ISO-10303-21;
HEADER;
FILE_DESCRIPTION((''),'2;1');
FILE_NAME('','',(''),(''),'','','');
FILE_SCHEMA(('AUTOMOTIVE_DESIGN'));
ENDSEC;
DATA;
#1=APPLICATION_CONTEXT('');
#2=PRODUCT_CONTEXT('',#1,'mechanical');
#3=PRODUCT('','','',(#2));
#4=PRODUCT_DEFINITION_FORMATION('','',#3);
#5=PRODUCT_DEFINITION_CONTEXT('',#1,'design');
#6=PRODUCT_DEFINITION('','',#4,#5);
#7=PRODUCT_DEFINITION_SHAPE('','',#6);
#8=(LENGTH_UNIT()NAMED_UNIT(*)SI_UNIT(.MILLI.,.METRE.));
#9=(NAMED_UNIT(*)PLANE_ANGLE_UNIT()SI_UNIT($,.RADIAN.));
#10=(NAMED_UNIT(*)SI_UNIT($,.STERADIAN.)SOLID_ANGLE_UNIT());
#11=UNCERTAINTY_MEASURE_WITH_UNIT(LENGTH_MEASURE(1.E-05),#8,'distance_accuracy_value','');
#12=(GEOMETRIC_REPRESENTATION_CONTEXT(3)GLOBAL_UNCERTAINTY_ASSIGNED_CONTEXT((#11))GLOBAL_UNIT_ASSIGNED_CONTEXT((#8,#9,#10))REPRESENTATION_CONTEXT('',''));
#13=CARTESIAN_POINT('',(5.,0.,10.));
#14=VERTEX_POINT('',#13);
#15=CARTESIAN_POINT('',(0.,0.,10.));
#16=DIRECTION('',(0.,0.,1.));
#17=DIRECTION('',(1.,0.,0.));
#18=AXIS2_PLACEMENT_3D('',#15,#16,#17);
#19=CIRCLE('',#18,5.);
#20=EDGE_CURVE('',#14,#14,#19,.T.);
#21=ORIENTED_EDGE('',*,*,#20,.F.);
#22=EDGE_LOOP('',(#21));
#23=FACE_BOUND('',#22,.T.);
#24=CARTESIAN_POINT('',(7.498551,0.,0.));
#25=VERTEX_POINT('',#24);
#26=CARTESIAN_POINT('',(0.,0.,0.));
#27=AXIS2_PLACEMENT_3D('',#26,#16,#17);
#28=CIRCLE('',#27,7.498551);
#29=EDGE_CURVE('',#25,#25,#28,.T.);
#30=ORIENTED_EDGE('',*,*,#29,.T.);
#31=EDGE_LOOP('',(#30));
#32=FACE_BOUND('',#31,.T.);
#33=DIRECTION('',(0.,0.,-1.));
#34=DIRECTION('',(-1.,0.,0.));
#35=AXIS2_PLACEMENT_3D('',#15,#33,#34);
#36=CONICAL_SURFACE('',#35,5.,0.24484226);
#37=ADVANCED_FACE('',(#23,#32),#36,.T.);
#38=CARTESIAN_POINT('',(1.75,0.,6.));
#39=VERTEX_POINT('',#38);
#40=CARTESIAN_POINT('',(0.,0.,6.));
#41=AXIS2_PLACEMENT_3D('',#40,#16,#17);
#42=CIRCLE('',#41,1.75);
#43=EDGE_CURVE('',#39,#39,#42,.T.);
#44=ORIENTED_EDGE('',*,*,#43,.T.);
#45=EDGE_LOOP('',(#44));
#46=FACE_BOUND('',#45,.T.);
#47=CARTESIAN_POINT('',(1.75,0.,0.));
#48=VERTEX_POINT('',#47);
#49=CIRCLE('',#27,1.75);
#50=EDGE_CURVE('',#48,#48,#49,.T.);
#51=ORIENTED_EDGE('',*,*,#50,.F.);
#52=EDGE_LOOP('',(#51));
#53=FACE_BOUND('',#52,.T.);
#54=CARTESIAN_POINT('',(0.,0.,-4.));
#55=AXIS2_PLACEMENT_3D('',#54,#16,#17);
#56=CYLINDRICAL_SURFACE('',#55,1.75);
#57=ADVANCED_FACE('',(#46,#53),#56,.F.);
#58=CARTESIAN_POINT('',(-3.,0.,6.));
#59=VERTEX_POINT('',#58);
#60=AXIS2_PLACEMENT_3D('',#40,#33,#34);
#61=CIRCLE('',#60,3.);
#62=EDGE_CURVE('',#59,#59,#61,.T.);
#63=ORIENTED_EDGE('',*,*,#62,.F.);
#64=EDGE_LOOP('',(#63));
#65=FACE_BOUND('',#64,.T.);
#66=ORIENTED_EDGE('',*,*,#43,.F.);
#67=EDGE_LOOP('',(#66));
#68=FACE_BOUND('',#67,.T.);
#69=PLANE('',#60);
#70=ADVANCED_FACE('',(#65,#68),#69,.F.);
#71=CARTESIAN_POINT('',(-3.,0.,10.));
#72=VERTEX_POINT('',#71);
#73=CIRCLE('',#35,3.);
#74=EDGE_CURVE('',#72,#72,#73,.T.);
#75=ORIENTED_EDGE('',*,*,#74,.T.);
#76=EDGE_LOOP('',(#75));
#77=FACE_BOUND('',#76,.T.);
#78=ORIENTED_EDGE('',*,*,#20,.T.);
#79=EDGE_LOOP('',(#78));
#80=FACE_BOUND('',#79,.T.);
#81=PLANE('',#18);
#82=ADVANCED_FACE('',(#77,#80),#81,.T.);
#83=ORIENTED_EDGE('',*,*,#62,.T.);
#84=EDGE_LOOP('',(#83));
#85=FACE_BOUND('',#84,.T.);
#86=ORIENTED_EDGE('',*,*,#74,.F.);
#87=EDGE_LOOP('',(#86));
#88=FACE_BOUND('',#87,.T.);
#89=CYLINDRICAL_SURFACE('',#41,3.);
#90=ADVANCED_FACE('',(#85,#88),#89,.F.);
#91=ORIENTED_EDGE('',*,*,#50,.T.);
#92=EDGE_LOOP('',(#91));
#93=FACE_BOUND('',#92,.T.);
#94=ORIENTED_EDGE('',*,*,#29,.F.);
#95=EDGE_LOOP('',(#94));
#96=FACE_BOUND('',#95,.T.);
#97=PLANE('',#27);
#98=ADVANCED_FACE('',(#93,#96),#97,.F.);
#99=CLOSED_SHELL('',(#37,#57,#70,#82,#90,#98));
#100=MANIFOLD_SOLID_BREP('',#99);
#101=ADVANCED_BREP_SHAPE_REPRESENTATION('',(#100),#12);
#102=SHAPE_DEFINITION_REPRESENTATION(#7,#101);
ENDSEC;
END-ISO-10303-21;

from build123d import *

# Parameters (mm, degrees)
SKETCH1_R          = 7.498550769
SKETCH2_R          = 5
SKETCH3_R          = 3
CUT_EXTRUDE1_DEPTH = 4
SKETCH4_R          = 1.75
CUT_EXTRUDE2_DEPTH = 10


with BuildPart() as part:
    # Sketch1 → Loft1 section 0
    with BuildSketch(Plane.XY):
        Circle(SKETCH1_R)
    # Sketch2 → Loft1 section 1
    with BuildSketch(Plane.XY.offset(10)):
        Circle(SKETCH2_R)
    loft()

    # Sketch3 → Cut-Extrude1 (cut)
    with BuildSketch(Plane(origin=(0, 0, 10), x_dir=(-1, 0, 0), z_dir=(0, 0, -1))):
        Circle(SKETCH3_R)
    extrude(amount=CUT_EXTRUDE1_DEPTH, mode=Mode.SUBTRACT)

    # Sketch4 → Cut-Extrude2 (cut)
    with BuildSketch(Plane.XY.offset(6)):
        Circle(SKETCH4_R)
    extrude(amount=-CUT_EXTRUDE2_DEPTH, mode=Mode.SUBTRACT)


solid = part.part
